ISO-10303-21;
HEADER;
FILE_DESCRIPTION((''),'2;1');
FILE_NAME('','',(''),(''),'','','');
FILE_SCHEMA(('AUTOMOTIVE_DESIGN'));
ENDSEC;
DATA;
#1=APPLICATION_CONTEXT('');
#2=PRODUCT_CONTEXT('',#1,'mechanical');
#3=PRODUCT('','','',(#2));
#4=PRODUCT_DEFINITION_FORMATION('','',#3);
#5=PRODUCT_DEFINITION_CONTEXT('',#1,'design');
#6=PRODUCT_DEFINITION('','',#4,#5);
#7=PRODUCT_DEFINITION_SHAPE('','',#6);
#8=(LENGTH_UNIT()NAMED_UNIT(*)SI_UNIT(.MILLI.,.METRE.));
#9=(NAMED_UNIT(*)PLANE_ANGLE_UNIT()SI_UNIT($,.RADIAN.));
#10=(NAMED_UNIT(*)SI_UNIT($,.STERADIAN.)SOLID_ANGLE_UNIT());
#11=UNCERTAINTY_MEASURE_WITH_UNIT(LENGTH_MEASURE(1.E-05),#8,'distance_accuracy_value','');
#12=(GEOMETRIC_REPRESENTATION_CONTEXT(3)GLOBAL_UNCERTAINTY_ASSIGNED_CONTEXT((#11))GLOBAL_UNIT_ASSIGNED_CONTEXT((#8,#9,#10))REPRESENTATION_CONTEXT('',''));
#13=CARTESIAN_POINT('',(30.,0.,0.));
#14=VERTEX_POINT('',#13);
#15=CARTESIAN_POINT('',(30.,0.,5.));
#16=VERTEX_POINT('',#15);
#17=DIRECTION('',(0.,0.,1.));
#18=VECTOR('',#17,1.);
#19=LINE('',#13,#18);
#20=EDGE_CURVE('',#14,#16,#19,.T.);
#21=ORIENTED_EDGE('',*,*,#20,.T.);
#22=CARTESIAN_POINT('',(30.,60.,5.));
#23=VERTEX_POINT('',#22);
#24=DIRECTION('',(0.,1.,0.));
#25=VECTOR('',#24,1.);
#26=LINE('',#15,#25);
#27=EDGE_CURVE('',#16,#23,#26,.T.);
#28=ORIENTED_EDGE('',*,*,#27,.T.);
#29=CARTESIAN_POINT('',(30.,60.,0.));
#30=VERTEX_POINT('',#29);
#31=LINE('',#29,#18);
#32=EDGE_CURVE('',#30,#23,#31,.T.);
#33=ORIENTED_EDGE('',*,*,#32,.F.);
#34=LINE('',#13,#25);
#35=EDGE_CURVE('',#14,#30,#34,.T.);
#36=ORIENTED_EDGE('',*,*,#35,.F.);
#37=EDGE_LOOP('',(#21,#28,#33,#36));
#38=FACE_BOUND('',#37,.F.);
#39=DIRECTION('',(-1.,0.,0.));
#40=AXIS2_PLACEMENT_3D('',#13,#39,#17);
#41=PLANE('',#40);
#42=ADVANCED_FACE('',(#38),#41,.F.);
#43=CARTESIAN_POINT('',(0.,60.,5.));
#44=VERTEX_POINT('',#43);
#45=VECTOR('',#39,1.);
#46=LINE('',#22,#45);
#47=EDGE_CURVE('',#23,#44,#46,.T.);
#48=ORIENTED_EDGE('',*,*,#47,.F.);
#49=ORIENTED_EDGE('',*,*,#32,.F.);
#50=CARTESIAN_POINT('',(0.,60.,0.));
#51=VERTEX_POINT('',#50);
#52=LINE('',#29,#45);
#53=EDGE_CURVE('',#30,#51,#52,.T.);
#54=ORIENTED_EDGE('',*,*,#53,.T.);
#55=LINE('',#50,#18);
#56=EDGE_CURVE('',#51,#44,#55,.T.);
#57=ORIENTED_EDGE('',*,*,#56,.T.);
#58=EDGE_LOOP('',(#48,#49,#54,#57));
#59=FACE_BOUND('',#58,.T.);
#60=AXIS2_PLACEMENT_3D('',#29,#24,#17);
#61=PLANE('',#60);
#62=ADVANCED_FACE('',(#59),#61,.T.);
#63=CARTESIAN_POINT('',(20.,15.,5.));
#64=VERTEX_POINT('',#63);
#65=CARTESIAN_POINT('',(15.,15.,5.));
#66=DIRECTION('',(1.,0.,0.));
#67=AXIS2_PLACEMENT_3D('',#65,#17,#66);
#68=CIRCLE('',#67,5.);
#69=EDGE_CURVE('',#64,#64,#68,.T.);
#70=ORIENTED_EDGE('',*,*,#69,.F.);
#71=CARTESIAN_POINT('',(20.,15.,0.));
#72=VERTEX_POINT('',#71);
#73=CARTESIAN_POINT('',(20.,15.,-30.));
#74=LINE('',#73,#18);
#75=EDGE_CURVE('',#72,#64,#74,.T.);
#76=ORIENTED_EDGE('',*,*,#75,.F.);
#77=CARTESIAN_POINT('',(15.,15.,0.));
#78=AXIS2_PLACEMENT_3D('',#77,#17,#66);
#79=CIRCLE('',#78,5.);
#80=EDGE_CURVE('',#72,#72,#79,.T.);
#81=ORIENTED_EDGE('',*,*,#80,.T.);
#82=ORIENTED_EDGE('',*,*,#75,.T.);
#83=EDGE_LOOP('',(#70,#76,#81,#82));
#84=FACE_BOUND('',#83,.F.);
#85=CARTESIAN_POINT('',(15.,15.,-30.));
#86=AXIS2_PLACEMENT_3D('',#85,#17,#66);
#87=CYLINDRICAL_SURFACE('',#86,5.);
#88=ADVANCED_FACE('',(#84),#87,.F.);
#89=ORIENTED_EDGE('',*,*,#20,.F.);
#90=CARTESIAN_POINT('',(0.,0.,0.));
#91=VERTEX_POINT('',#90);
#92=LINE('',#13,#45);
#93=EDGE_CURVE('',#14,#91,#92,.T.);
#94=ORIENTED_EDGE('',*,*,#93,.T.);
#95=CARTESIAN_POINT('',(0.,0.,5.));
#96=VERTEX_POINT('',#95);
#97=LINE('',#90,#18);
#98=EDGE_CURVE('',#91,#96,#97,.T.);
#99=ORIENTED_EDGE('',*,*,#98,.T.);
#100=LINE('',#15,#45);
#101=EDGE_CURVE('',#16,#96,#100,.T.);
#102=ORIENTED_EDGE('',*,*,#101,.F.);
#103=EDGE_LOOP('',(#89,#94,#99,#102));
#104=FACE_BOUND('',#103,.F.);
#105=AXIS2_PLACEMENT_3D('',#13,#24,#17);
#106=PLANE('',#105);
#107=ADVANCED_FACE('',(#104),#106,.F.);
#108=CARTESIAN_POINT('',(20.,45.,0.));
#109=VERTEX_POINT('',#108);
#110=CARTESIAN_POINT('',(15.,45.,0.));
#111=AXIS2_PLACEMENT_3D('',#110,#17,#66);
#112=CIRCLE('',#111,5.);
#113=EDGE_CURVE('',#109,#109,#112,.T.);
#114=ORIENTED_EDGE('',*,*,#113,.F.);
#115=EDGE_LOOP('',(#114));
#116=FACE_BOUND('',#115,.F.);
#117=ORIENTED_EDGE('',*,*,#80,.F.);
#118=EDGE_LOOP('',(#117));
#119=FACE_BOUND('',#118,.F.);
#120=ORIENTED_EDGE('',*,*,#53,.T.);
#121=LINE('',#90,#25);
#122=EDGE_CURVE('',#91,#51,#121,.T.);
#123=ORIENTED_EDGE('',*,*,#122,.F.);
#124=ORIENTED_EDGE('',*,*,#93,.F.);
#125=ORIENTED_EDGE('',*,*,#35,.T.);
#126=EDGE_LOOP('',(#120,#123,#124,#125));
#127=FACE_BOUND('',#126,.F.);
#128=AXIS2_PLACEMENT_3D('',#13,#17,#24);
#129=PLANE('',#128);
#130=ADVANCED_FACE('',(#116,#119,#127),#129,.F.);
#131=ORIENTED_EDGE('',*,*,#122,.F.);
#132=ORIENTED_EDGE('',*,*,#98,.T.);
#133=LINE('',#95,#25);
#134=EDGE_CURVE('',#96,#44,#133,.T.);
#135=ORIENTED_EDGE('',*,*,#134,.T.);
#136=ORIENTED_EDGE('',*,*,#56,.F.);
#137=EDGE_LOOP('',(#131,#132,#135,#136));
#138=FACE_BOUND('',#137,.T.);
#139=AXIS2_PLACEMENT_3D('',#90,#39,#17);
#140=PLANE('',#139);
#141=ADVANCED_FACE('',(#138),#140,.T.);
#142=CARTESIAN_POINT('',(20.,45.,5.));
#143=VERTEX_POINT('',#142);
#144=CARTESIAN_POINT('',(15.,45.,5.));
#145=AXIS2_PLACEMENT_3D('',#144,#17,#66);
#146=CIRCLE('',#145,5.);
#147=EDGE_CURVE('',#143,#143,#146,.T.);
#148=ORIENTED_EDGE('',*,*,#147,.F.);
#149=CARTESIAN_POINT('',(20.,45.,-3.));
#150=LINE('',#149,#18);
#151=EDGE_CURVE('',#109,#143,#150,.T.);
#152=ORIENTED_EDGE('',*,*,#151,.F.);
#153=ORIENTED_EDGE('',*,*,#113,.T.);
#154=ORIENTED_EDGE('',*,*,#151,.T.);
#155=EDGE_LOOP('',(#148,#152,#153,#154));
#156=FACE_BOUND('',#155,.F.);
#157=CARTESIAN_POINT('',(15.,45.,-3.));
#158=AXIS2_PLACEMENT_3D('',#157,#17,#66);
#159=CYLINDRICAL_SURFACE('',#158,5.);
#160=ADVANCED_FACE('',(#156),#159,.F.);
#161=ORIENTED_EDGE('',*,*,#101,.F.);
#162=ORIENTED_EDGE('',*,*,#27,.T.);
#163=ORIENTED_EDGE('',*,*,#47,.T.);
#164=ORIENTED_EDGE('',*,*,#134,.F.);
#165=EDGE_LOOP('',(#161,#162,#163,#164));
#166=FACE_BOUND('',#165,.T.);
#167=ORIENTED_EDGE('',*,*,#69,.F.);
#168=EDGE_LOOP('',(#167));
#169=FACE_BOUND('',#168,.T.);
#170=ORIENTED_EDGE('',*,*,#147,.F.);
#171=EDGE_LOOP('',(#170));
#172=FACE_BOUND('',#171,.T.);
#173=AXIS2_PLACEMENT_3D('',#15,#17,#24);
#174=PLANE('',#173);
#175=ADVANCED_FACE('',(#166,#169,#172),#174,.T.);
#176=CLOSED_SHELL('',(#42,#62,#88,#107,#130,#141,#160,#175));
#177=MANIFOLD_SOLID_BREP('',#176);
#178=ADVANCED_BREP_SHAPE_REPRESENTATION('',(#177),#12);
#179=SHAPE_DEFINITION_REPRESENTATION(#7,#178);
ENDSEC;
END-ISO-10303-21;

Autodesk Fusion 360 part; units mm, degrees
sketch "Esboço3" plane through (0, 0, 0) normal (0, 0, 1) x (1, 0, 0)
box "Primitiva de caixa2" add length 60 width 30 height 5 placed x (0, 1, 0) y (-1, 0, 0) z (0, 0, 1) at (30, 0, 0)
cylinder "Cilindro primitivo2" cut diameter 10 height -35 placed x (1, 0, 0) y (0, 1, 0) z (0, 0, 1) at (15, 15, 5)
cylinder "Cilindro primitivo3" cut diameter 10 height -8 placed x (1, 0, 0) y (0, 1, 0) z (0, 0, 1) at (15, 45, 5)
